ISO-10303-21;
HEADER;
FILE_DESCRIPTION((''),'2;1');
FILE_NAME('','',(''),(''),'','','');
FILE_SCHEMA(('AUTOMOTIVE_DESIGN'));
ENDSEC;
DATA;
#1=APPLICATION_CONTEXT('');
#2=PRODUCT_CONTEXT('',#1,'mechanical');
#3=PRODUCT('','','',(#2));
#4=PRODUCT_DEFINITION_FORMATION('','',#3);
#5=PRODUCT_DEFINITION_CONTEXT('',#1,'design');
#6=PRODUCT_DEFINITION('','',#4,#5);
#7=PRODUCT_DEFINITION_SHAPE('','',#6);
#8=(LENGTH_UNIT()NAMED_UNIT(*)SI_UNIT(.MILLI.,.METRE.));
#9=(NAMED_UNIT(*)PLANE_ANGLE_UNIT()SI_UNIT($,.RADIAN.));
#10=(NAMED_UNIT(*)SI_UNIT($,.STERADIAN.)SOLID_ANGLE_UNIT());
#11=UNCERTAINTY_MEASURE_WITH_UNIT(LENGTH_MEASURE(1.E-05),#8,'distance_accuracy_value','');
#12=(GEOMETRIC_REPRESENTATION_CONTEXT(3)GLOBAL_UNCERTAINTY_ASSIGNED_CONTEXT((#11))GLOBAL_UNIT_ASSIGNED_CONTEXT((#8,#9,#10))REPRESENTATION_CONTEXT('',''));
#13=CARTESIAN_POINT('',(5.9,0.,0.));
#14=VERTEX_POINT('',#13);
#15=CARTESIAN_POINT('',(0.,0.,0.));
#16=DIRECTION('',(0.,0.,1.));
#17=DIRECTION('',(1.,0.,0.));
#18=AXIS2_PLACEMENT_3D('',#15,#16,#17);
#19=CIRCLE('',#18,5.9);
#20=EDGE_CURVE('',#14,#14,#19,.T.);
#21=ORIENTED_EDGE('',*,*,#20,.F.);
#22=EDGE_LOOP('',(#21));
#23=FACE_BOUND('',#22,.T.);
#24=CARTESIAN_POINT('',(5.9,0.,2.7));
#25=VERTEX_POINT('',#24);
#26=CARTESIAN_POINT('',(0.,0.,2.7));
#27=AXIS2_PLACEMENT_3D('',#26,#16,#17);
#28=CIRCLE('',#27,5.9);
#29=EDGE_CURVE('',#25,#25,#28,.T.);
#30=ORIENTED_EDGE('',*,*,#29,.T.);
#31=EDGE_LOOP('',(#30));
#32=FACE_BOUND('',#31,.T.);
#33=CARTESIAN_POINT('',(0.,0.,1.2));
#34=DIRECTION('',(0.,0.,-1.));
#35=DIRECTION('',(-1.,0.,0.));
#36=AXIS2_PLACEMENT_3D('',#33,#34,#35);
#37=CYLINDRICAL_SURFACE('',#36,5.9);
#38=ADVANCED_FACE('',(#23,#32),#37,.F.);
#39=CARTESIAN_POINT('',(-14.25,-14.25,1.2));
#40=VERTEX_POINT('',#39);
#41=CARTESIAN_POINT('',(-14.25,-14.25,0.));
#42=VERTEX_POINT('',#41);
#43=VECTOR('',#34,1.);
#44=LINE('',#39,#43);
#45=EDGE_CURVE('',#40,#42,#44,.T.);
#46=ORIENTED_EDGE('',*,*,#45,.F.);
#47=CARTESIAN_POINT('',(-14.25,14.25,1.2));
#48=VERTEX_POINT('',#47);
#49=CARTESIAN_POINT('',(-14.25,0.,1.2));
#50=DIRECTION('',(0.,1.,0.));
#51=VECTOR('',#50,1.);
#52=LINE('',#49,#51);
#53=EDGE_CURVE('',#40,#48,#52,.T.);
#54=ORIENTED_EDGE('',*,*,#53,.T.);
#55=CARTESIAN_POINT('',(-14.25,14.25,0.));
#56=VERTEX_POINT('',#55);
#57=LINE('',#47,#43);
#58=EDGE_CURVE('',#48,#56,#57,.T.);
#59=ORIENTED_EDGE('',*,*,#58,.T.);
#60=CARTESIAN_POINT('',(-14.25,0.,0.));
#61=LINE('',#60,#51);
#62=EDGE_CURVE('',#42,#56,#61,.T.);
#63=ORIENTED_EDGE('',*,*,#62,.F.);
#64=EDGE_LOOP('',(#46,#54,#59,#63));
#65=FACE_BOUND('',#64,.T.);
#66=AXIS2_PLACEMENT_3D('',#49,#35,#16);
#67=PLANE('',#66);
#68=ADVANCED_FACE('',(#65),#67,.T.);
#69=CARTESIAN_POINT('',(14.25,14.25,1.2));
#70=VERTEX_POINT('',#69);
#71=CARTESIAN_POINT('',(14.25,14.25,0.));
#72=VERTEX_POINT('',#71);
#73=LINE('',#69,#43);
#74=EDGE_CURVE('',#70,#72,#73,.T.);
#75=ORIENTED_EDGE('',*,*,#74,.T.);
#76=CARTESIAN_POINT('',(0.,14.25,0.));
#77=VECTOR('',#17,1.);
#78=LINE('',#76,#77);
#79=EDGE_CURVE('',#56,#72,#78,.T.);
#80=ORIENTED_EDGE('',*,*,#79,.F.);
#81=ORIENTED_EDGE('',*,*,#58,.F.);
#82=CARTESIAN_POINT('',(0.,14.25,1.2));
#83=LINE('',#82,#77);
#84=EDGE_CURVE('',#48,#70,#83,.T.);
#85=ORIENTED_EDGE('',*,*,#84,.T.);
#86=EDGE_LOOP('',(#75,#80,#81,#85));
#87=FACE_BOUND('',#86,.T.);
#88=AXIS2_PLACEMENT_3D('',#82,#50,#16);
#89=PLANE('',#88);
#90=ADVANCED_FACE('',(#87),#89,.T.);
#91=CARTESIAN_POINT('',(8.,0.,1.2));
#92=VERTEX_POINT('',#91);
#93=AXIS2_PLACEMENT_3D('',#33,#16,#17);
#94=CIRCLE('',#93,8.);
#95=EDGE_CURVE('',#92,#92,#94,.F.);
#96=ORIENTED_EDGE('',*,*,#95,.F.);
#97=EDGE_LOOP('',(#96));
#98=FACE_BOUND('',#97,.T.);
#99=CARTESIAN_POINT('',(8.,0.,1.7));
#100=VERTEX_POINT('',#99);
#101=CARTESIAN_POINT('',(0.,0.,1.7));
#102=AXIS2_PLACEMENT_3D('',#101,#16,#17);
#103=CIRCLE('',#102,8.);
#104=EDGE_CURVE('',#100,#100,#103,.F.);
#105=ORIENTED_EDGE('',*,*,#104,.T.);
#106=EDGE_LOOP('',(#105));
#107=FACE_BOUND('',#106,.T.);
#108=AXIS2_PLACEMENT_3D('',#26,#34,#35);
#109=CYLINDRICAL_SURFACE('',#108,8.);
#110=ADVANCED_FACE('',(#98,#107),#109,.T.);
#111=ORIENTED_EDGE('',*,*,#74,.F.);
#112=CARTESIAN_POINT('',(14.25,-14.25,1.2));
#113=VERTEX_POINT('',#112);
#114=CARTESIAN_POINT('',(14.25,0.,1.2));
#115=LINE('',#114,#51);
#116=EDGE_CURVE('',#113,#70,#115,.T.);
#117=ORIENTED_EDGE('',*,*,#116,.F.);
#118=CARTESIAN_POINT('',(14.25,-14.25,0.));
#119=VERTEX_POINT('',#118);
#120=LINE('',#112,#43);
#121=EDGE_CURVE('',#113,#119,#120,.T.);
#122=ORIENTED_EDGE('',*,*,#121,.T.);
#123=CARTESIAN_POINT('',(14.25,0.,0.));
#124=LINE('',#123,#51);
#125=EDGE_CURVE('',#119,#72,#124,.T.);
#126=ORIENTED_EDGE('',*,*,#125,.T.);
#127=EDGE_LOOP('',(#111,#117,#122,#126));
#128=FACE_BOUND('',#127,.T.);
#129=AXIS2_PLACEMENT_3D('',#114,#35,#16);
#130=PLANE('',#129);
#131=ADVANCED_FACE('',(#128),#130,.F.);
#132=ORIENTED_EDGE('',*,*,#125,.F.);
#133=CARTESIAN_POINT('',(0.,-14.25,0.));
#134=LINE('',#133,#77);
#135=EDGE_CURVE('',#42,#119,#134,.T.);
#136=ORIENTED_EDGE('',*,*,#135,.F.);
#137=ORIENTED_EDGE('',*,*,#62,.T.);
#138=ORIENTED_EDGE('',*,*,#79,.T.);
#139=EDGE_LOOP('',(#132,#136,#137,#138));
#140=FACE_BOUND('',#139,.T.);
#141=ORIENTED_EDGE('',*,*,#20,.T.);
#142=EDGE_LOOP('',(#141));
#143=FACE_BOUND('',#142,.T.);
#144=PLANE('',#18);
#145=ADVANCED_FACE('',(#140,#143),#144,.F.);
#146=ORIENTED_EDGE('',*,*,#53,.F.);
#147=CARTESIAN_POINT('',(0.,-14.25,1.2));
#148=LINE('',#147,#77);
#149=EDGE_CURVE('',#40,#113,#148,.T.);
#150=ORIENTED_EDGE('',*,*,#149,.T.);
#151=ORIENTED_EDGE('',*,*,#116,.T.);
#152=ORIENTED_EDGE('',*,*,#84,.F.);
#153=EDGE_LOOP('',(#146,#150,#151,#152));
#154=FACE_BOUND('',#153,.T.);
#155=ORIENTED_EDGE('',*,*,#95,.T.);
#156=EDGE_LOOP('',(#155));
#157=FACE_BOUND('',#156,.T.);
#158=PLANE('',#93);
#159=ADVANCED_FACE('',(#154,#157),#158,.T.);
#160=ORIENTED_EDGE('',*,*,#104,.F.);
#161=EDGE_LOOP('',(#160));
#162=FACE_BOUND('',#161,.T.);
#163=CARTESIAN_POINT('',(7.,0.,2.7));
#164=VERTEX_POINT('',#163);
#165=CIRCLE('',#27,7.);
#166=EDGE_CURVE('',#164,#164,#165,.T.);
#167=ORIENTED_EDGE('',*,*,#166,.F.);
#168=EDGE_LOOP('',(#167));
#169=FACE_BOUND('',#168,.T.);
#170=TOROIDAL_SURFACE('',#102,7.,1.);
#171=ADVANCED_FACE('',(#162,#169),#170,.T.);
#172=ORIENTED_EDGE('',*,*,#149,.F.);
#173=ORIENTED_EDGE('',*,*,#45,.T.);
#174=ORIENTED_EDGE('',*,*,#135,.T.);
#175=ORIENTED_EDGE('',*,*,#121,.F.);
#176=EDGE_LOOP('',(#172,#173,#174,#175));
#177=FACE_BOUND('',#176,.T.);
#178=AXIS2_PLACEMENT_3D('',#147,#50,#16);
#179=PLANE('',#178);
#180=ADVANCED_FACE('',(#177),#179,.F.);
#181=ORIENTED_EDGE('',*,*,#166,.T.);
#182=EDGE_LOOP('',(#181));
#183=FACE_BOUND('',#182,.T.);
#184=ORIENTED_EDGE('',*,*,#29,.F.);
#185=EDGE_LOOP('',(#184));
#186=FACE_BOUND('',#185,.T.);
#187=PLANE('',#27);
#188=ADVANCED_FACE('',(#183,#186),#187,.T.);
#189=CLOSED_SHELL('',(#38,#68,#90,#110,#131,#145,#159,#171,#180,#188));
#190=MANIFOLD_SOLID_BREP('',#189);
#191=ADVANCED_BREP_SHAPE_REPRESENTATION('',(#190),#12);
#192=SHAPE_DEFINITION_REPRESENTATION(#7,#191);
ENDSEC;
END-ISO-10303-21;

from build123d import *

# Parameters (mm, degrees)
SKETCH1_W           = 28.5
SKETCH1_H           = 28.5
SKETCH1_R           = 5.9
BOSS_EXTRUDE1_DEPTH = 1.2
SKETCH1_3_R         = 8
SKETCH1_3_R_2       = 5.9
BOSS_EXTRUDE2_DEPTH = 2.7
FILLET1_R           = 1


with BuildPart() as part:
    # Sketch1 → Boss-Extrude1 (new body)
    with BuildSketch(Plane.XY):
        Rectangle(SKETCH1_W, SKETCH1_H)
        Circle(SKETCH1_R, mode=Mode.SUBTRACT)
    extrude(amount=BOSS_EXTRUDE1_DEPTH)

    # Sketch1<3> → Boss-Extrude2 (add)
    with BuildSketch(Plane.XY):
        Circle(SKETCH1_3_R)
        Circle(SKETCH1_3_R_2, mode=Mode.SUBTRACT)
    extrude(amount=BOSS_EXTRUDE2_DEPTH)

    # Fillet1
    fillet1_edges = [part.edges().sort_by_distance(p)[0] for p in [
        (-8, 0, 2.7),
    ]]
    fillet(fillet1_edges, radius=FILLET1_R)


solid = part.part
